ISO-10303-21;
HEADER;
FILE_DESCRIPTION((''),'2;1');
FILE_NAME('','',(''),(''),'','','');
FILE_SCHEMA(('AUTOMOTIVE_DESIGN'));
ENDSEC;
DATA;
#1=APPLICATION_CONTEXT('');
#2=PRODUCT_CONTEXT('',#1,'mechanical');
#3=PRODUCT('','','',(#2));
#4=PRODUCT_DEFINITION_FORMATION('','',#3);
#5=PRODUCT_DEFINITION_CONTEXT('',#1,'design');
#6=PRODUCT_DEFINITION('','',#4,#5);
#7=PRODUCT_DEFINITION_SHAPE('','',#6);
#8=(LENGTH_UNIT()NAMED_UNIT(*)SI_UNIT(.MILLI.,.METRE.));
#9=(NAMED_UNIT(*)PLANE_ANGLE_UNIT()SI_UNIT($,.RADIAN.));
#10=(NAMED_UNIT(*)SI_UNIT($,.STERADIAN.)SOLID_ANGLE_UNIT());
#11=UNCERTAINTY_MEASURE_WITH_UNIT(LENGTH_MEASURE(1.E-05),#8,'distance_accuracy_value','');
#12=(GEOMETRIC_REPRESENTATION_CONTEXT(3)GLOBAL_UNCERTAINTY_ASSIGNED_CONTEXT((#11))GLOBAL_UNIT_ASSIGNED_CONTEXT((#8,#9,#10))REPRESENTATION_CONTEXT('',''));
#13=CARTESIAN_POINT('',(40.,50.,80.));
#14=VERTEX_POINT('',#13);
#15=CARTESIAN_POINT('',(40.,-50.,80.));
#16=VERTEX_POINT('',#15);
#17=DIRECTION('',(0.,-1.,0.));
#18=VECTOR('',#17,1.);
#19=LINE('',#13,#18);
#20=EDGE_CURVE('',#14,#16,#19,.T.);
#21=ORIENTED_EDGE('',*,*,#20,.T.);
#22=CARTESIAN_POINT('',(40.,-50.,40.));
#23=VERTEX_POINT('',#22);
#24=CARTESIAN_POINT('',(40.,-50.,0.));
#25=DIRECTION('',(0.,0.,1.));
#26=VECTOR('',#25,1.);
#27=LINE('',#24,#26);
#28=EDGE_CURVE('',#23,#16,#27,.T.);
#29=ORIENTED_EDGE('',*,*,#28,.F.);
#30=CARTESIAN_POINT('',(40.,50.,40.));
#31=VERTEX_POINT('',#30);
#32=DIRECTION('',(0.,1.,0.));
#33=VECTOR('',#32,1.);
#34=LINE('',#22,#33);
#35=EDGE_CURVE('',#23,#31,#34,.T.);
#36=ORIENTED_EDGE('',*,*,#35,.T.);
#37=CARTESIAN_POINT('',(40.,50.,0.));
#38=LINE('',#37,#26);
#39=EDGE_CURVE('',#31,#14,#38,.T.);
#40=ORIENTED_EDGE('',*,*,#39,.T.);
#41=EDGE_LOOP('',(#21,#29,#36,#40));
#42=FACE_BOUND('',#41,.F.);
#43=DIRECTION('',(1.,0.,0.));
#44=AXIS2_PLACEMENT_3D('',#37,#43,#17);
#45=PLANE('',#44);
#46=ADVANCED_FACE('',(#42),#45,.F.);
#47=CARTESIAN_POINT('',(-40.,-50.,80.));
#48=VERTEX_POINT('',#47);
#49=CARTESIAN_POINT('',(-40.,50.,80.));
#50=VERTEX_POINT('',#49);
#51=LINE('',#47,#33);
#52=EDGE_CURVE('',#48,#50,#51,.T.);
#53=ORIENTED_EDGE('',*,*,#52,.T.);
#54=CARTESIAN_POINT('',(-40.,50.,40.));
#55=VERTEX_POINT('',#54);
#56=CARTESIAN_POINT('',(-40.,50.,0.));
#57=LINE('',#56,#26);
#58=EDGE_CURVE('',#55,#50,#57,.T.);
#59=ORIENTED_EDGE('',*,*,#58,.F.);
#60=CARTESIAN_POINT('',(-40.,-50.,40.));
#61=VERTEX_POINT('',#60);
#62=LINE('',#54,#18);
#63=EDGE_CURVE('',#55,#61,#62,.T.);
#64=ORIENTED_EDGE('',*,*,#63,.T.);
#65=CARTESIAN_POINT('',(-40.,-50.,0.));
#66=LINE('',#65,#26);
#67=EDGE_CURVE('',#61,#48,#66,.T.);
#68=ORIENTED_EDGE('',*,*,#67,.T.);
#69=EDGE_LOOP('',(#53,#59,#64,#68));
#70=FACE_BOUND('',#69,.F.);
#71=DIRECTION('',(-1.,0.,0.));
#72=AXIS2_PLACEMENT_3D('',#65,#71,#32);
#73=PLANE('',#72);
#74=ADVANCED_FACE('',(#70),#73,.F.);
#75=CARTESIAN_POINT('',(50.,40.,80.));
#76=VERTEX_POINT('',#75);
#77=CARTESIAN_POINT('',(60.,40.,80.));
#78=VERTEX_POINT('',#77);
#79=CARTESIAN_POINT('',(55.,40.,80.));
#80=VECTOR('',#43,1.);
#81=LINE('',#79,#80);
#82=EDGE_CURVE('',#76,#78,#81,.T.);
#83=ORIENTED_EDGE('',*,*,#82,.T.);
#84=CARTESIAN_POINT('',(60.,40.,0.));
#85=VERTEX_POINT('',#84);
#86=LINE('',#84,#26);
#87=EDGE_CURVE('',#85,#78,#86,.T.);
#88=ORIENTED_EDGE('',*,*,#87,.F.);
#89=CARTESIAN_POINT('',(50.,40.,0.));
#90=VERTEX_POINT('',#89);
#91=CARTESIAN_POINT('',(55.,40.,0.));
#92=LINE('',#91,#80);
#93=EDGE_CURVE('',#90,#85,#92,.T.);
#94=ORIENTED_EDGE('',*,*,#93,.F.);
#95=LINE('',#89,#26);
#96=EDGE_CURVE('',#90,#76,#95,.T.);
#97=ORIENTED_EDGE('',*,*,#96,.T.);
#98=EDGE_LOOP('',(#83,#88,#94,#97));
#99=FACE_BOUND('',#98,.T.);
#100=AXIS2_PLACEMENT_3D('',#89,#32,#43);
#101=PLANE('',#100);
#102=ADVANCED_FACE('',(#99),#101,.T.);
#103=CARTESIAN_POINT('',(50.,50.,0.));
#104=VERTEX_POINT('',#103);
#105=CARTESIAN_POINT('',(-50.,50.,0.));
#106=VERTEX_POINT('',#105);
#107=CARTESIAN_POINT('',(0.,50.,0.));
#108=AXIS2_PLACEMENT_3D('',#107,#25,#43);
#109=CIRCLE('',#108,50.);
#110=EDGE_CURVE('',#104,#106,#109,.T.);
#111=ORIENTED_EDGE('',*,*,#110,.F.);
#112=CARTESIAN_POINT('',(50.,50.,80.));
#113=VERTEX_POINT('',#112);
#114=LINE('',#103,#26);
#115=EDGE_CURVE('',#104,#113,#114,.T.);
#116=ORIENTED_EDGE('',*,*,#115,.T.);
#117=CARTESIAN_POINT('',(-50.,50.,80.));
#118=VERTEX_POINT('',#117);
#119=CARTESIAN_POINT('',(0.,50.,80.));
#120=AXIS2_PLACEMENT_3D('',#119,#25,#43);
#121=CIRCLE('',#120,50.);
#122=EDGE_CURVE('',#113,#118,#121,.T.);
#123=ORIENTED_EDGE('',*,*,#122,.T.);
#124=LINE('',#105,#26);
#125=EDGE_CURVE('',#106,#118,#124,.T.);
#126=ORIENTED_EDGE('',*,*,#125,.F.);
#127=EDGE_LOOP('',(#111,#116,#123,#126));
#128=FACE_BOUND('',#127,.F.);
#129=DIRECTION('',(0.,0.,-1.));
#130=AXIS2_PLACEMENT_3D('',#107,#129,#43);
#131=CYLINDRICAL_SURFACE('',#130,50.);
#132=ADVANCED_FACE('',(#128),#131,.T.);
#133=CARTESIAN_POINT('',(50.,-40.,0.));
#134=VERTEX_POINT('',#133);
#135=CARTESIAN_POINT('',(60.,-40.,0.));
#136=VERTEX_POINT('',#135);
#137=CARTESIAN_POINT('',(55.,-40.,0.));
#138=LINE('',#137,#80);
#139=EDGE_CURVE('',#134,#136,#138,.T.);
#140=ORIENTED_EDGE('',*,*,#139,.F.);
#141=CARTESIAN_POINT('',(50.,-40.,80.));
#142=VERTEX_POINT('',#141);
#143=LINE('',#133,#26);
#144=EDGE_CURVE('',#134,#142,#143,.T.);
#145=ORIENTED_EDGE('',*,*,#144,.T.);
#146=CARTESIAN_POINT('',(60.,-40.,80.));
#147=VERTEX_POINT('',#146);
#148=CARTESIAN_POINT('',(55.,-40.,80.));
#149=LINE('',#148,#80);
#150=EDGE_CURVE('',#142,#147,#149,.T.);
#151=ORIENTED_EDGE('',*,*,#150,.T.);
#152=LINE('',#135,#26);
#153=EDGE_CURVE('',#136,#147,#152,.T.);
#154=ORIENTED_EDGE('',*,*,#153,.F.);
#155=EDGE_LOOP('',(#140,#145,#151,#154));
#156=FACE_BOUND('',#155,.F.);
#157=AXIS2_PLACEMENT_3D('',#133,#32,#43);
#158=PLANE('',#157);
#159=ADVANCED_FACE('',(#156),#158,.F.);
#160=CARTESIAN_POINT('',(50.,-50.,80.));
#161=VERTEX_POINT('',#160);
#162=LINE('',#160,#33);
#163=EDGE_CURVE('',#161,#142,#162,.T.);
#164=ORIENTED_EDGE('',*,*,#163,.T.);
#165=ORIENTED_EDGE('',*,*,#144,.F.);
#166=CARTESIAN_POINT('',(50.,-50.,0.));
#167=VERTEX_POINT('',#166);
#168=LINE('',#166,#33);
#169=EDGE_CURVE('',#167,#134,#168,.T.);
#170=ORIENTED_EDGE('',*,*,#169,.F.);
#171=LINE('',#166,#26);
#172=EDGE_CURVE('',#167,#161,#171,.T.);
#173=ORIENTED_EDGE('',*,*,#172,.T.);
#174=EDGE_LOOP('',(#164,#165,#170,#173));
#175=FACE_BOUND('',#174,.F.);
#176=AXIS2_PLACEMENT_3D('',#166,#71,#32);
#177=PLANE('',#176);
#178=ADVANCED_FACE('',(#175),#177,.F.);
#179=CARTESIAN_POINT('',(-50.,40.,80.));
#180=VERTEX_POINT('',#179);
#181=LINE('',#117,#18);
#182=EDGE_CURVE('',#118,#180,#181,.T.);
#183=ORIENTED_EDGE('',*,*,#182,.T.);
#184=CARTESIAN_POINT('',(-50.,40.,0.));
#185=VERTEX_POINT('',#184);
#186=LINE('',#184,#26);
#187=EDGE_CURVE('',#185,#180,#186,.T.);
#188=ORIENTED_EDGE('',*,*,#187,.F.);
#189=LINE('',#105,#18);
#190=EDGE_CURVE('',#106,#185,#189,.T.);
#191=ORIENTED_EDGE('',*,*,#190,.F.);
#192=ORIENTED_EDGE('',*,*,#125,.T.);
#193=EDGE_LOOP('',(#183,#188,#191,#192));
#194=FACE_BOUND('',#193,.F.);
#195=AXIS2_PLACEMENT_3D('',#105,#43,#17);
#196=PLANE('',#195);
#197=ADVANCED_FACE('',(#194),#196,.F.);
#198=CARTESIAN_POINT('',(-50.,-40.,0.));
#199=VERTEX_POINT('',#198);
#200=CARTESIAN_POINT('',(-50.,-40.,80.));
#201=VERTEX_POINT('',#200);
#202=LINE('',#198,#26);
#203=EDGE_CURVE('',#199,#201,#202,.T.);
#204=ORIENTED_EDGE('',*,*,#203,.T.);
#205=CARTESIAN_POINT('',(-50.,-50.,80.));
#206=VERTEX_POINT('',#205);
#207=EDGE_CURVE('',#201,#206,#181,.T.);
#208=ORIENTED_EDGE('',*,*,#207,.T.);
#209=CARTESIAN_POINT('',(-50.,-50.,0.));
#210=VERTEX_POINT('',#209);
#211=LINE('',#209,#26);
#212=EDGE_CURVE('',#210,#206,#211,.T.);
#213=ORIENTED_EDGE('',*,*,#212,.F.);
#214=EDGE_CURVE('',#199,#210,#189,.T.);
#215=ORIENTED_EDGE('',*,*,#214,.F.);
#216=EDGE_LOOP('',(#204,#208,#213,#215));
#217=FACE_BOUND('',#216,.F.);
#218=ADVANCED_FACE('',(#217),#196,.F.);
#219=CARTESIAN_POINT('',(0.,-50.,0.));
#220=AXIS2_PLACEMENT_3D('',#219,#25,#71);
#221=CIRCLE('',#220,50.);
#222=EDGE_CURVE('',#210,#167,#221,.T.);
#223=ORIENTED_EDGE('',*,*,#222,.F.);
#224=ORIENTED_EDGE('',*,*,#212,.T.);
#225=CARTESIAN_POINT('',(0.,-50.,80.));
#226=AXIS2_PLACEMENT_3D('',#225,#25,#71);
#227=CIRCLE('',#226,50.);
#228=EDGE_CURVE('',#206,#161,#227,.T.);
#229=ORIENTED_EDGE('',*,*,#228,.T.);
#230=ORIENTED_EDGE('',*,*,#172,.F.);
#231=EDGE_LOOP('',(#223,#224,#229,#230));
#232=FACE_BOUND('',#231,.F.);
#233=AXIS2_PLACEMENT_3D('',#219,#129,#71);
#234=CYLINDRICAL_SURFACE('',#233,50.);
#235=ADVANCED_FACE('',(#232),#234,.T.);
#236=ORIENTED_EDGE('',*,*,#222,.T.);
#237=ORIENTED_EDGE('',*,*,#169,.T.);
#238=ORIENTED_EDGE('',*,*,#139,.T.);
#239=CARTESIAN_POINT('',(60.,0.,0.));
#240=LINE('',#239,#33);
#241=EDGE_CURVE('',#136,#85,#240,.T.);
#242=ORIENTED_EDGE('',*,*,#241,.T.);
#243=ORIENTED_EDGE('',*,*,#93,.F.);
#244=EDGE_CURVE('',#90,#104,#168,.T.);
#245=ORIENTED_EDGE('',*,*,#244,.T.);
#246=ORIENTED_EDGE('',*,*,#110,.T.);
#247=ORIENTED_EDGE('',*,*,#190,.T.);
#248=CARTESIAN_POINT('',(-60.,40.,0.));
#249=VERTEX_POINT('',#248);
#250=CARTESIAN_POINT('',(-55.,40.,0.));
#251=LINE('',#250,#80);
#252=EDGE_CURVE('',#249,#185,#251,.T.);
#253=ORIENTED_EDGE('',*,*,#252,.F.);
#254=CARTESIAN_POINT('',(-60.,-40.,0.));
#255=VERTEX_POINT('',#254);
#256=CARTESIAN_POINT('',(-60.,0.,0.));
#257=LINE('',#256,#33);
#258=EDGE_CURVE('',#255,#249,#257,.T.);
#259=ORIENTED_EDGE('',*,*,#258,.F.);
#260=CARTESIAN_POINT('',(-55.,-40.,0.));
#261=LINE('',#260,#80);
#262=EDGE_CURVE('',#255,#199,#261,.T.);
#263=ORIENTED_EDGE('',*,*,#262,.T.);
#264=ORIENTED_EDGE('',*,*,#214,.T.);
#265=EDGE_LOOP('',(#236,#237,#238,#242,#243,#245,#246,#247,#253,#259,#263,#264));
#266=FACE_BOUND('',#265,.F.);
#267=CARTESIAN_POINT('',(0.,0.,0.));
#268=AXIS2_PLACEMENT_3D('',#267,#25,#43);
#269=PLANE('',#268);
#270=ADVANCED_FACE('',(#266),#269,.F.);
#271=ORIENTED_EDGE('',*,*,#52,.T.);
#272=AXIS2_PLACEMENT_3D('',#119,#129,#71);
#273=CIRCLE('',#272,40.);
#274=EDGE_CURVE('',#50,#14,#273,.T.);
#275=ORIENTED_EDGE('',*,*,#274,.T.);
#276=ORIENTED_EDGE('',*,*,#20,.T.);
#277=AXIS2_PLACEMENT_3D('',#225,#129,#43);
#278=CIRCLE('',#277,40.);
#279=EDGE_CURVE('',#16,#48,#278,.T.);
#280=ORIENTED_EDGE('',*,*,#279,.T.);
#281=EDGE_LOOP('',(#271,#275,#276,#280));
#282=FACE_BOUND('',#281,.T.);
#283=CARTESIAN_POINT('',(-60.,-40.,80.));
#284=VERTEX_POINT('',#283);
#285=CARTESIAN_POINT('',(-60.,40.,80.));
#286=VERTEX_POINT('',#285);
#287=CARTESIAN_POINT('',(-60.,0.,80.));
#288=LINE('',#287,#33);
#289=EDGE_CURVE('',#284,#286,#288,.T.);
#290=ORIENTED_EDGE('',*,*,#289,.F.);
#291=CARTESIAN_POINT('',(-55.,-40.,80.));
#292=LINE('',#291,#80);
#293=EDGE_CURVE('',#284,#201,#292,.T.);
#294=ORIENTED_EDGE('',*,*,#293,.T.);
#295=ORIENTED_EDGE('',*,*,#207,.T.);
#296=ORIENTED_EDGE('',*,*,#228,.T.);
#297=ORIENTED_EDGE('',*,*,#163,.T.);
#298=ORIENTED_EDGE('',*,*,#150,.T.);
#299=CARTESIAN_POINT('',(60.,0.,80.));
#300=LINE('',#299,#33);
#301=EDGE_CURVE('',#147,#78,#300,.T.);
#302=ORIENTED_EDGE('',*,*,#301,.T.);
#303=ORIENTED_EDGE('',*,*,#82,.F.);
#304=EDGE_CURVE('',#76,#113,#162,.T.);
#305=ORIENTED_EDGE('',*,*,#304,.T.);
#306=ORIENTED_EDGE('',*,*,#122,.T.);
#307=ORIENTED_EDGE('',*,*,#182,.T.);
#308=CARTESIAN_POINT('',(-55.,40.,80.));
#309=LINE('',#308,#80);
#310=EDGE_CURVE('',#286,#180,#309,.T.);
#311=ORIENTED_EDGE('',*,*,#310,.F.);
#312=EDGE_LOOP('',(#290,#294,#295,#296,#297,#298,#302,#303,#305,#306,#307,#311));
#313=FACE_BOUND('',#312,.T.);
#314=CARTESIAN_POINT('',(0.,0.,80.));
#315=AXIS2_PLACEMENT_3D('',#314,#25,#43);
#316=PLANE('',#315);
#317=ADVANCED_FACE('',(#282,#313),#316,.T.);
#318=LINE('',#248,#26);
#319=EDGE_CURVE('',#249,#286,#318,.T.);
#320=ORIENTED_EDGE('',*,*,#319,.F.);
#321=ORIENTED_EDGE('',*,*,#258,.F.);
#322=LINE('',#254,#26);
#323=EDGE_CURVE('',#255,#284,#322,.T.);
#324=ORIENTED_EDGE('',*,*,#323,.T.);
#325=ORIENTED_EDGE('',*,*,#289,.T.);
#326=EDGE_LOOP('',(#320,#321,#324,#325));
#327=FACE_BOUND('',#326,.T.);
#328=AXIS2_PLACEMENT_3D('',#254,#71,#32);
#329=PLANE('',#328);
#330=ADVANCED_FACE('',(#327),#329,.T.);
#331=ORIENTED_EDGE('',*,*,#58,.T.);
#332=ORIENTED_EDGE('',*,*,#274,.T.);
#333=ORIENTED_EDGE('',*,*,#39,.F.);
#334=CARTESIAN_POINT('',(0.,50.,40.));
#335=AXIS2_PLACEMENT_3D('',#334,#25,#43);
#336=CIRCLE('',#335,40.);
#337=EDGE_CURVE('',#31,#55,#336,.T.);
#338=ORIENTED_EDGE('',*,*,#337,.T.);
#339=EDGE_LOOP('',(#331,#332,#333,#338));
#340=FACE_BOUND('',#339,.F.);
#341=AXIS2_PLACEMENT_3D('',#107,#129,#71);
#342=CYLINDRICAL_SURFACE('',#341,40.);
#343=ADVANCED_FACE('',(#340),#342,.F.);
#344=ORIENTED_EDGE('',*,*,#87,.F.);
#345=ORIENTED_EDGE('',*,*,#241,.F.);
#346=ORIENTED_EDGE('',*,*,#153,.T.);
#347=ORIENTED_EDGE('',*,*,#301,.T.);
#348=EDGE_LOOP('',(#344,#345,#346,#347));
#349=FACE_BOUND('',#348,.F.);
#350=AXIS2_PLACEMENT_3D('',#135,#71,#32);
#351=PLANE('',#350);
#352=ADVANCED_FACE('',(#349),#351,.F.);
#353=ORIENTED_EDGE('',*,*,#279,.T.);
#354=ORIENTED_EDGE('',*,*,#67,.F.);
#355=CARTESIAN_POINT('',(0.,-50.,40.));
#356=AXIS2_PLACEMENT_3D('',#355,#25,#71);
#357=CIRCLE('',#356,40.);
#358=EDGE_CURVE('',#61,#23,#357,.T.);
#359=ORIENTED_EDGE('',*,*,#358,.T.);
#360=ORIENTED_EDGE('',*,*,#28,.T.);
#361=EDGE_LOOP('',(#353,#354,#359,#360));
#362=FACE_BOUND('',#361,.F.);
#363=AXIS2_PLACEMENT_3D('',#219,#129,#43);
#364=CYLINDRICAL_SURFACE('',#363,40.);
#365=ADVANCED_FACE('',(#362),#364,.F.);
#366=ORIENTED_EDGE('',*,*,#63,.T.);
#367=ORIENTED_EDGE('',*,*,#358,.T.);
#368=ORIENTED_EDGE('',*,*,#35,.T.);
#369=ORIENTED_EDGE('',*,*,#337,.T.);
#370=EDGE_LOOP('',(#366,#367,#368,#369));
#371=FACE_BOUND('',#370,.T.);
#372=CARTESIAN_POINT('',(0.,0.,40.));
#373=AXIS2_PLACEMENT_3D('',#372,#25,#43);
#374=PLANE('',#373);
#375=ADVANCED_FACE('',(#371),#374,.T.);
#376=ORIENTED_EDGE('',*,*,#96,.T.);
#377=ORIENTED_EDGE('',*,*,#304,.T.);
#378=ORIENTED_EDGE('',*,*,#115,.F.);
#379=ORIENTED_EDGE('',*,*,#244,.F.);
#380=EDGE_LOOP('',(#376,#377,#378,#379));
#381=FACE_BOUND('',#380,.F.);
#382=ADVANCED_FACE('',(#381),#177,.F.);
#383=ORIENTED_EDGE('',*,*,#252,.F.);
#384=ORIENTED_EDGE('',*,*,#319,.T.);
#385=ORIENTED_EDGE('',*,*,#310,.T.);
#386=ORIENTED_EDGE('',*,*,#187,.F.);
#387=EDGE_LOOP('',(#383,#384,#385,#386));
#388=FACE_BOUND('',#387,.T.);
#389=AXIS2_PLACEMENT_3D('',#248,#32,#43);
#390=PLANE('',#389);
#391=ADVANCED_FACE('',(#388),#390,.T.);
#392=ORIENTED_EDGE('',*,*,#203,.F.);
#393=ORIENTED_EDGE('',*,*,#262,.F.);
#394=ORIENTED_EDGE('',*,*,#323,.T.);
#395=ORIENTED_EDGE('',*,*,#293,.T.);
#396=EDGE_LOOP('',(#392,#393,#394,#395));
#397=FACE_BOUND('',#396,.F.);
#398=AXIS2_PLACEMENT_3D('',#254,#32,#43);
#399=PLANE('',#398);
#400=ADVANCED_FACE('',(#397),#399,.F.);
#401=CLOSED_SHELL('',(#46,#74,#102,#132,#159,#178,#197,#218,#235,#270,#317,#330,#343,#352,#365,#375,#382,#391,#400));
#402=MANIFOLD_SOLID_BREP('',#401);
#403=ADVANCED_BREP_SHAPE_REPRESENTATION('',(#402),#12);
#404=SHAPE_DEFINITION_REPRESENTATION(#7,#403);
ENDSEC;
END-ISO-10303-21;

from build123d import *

# Parameters (mm, degrees)
F1_DEPTH = 80
F2_DEPTH = 40
F0_W     = 10
F0_H     = 80
F3_DEPTH = 80


with BuildPart() as f1:
    # F0 (on Top) → F1 (new body)
    with BuildSketch(Plane.XY):
        with BuildLine():
            ThreePointArc((50, 50), (0, 100), (-50, 50))
            Line((-50, 50), (-50, 40))
            Line((-50, 40), (-50, -40))
            Line((-50, -40), (-50, -50))
            ThreePointArc((-50, -50), (0, -100), (50, -50))
            Line((50, -50), (50, -40))
            Line((50, -40), (50, 40))
            Line((50, 40), (50, 50))
        make_face()
        with BuildLine():
            Line((-40, -50), (-40, 50))
            ThreePointArc((-40, 50), (0, 90), (40, 50))
            Line((40, 50), (40, -50))
            ThreePointArc((40, -50), (0, -90), (-40, -50))
        make_face(mode=Mode.SUBTRACT)
    extrude(amount=F1_DEPTH)

    # F0 (on Top) → F2 (join)
    with BuildSketch(Plane.XY):
        with BuildLine():
            ThreePointArc((40, 50), (0, 90), (-40, 50))
            Line((-40, 50), (-40, -50))
            ThreePointArc((-40, -50), (0, -90), (40, -50))
            Line((40, -50), (40, 50))
        make_face()
    extrude(amount=F2_DEPTH)

    # F0 (on Top) → F3 (join)
    with BuildSketch(Plane.XY):
        with Locations((55, 0)):
            Rectangle(F0_W, F0_H)
        with Locations((-55, 0)):
            Rectangle(F0_W, F0_H)
    extrude(amount=F3_DEPTH)


solid = f1.part
